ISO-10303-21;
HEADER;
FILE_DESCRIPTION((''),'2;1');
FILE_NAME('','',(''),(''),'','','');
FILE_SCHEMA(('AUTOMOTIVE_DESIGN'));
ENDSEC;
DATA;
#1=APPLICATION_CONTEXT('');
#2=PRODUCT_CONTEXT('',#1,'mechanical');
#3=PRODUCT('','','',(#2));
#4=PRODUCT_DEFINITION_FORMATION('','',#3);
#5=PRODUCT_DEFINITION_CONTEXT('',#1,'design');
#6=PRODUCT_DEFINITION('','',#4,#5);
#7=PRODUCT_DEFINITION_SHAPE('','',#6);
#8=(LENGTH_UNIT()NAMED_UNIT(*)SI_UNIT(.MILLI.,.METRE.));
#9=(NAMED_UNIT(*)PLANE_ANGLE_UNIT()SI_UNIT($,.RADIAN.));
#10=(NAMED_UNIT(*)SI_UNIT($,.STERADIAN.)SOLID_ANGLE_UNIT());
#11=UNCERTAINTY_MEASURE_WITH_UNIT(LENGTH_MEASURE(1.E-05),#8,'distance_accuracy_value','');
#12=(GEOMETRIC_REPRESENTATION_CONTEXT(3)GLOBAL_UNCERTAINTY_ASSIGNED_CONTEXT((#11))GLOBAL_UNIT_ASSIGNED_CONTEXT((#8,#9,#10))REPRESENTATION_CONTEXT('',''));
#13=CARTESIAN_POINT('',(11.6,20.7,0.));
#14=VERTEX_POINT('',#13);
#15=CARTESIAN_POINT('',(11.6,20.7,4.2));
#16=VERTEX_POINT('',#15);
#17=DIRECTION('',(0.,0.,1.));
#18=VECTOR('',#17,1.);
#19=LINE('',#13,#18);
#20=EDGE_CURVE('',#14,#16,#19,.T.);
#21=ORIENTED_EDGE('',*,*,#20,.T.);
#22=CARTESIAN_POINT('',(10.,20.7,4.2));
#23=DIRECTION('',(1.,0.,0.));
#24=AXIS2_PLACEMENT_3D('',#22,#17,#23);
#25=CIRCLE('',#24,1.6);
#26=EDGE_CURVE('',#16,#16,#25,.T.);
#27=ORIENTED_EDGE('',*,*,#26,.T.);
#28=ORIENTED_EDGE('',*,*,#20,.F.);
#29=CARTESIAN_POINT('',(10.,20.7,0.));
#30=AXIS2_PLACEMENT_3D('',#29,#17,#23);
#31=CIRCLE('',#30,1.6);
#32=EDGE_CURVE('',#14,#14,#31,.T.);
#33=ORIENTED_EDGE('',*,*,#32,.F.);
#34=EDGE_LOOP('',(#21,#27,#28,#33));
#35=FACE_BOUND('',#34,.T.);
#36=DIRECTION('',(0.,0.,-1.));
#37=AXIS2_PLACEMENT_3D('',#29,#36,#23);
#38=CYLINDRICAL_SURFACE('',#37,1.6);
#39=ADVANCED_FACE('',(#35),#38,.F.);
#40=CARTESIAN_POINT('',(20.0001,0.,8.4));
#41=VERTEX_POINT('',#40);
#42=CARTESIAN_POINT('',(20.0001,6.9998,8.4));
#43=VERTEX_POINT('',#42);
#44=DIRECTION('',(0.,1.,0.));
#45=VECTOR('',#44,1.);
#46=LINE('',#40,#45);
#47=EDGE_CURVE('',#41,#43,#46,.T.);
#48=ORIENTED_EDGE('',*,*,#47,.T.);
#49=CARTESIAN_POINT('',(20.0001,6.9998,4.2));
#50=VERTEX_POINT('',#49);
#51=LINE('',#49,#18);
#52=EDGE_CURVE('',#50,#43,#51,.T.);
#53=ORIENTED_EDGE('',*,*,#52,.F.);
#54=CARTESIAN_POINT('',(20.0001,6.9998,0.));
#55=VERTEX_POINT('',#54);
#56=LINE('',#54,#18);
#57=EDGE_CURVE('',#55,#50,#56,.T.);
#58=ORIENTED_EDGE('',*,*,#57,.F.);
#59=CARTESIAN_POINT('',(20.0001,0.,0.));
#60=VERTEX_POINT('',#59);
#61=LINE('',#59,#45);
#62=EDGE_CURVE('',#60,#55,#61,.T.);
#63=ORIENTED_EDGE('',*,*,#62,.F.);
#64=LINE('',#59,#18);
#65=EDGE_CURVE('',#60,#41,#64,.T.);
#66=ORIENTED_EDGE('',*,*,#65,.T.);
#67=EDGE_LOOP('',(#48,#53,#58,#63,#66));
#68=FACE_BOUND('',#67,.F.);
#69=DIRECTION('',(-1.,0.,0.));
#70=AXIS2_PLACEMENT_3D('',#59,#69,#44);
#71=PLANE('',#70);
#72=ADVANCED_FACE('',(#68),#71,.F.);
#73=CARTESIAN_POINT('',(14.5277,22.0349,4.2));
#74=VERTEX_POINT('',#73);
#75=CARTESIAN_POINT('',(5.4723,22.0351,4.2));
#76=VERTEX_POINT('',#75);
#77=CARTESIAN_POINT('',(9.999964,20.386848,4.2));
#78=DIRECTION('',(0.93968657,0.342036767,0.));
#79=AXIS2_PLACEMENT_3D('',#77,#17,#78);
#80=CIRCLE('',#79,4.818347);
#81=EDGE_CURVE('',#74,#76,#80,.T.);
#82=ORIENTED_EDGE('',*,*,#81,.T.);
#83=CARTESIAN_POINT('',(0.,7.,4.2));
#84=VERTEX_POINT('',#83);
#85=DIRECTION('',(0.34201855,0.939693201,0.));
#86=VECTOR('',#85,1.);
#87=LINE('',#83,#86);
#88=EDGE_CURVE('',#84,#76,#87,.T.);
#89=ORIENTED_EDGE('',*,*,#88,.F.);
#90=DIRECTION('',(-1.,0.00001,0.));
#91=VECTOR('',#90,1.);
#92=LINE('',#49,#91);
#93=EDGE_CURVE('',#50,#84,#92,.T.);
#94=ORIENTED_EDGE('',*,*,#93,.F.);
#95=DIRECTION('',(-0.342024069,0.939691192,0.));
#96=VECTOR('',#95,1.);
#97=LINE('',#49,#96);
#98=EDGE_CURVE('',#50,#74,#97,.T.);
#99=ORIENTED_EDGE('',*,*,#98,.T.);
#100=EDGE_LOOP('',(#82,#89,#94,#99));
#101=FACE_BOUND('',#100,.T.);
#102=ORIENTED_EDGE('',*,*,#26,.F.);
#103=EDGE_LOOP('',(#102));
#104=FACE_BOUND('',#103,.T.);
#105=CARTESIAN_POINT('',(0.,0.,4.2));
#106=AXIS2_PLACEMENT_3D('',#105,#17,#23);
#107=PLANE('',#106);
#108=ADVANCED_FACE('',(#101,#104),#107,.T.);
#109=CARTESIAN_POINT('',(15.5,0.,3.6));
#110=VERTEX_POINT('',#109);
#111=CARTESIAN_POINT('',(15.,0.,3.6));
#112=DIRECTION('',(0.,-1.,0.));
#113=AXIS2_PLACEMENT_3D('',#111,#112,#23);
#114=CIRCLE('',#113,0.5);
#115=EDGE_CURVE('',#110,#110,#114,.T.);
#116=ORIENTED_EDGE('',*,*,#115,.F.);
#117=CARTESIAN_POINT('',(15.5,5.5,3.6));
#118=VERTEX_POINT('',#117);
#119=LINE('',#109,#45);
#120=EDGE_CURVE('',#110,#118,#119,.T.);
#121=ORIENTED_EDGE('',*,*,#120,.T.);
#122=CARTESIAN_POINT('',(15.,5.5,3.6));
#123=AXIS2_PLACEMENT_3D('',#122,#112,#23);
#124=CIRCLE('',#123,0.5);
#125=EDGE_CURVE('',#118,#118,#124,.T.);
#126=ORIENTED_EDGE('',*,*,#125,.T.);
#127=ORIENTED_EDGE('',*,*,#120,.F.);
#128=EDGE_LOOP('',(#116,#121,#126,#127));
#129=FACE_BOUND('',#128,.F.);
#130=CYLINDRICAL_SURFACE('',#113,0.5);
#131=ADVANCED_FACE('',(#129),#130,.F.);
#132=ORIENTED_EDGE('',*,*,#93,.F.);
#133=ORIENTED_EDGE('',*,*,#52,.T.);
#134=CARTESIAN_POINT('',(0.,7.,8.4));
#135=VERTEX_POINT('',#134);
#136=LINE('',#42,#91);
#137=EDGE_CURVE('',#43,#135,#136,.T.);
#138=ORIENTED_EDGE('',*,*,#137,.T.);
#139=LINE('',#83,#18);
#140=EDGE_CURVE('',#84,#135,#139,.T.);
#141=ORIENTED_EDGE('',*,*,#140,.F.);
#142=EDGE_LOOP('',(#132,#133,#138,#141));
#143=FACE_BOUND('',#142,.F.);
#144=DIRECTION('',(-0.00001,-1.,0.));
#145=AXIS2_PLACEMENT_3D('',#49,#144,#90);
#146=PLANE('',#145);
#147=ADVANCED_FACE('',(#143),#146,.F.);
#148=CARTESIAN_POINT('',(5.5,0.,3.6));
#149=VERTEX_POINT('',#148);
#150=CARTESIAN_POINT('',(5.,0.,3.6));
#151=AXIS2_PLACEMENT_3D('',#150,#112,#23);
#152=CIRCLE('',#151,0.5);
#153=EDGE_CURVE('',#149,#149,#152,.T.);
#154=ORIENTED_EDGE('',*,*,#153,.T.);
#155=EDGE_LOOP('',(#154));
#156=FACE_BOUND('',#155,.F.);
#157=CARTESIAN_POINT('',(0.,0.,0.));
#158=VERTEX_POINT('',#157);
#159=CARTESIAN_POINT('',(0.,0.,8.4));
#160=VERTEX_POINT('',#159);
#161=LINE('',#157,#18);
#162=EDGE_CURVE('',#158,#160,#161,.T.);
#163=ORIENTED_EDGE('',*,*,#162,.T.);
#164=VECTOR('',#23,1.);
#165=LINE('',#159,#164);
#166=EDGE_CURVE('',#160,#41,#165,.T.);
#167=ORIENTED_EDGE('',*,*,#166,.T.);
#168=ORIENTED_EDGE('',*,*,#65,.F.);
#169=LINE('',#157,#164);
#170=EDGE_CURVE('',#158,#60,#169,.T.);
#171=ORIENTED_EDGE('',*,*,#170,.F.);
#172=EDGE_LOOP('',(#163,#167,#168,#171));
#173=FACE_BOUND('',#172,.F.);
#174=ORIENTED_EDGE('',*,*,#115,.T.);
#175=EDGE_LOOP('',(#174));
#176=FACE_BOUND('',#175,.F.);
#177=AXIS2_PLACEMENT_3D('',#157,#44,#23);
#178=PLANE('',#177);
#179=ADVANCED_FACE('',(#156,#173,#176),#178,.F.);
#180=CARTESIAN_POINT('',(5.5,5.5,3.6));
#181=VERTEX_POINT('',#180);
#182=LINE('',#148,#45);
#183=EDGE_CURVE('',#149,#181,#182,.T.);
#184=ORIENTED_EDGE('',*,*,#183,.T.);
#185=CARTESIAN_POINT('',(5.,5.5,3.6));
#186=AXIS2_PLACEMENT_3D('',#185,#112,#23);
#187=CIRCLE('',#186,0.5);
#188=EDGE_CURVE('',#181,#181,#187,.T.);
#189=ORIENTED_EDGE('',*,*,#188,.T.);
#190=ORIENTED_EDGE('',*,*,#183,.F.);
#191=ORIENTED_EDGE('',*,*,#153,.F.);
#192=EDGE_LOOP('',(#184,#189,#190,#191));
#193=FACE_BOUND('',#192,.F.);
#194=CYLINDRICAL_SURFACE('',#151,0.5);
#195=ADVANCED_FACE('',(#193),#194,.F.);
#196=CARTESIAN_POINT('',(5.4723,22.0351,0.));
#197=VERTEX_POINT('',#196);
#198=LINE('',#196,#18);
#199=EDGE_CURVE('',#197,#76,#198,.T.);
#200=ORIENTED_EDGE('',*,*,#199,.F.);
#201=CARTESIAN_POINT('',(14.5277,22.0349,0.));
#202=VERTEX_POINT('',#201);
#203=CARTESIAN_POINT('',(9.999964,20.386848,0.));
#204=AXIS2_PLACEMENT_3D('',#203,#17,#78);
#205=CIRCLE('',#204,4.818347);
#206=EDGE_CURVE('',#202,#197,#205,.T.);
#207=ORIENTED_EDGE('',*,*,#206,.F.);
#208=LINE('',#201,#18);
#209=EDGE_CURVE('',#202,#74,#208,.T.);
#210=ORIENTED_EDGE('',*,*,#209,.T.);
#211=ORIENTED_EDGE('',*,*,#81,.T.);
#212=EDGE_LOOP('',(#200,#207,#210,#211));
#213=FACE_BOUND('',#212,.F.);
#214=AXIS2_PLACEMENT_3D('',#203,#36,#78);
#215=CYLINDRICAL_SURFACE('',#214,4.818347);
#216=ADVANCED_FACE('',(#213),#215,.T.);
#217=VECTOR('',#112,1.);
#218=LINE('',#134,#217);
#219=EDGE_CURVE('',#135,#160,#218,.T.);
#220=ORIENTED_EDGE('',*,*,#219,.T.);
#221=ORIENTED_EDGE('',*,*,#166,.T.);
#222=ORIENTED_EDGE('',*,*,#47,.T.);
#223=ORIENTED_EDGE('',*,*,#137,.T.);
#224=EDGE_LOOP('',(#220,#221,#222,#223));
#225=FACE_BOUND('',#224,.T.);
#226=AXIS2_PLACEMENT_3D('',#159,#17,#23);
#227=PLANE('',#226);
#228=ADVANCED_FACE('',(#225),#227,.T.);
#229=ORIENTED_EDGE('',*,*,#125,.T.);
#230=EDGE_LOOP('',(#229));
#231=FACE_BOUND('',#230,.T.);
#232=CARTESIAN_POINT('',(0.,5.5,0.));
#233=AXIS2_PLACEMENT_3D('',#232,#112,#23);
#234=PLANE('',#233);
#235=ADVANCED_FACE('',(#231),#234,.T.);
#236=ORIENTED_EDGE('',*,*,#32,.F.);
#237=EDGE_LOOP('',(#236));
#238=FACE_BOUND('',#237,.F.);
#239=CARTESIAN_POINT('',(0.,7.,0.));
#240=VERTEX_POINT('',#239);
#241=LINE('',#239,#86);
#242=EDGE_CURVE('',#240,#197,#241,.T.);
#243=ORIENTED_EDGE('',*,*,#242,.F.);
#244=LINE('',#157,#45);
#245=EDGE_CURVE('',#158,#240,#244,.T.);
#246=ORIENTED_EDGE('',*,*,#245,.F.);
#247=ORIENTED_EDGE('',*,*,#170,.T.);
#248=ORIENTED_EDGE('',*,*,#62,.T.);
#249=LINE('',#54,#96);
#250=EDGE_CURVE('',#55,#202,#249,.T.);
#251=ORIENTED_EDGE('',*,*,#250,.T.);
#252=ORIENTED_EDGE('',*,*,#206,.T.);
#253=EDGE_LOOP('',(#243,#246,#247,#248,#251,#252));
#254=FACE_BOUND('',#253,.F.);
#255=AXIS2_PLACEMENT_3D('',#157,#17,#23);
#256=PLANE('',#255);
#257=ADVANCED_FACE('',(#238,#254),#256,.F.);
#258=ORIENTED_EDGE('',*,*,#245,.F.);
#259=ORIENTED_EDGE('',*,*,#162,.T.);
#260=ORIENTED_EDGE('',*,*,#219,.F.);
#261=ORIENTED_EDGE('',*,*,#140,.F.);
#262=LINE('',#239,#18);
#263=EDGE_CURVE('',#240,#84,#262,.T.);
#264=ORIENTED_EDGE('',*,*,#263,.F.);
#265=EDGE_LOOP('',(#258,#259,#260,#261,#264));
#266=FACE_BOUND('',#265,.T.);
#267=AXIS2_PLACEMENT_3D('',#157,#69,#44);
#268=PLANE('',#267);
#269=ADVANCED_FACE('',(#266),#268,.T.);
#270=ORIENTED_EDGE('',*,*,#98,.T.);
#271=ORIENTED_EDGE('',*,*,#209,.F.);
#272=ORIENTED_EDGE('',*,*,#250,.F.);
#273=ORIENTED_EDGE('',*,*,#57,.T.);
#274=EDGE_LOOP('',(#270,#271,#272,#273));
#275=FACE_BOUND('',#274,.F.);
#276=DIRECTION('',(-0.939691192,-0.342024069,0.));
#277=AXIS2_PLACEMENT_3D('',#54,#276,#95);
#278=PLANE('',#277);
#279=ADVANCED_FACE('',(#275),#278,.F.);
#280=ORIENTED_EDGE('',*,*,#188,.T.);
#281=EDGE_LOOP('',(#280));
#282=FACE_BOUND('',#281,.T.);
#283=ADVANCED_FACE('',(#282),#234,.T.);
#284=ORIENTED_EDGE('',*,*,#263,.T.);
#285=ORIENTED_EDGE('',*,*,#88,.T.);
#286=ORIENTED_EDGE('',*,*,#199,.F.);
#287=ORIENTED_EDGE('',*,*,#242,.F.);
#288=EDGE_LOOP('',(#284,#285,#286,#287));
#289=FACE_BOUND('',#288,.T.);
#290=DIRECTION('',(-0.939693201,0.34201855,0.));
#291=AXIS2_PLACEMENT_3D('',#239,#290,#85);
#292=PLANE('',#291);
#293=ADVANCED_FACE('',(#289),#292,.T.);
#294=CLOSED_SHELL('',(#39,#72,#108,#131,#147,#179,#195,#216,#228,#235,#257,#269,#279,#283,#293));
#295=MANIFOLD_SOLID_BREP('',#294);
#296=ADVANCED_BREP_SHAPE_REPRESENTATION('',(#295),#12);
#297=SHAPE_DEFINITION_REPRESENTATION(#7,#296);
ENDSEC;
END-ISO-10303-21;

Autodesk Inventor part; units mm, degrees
ref_plane "YZ Plane" through (0, 0, 0) normal (1, 0, 0) x (0, 1, 0)
ref_plane "XZ Plane" through (0, 0, 0) normal (0, 1, 0) x (-1, 0, 0)
ref_plane "XY Plane" through (0, 0, 0) normal (0, 0, 1) x (1, 0, 0)
sketch "Sketch1" plane through (0, 0, 0) normal (0, 0, 1) x (1, 0, 0)
  circle A0 centre (10, 20.7) radius 1.6
  line L0 (0, 0) -> (20.0001, 0)
  line L1 (0, 0) -> (0, 7)
  line L2 (20.0001, 0) -> (20.0001, 6.9998)
  line L3 (0, 7) -> (5.4723, 22.0351)
  line L4 (0, 7) -> (16, 7) construction
  line L5 (20.0001, 6.9998) -> (14.5277, 22.0349)
  line L6 (20.0001, 6.9998) -> (36.0001, 6.9998) construction
  arc A1 (14.5277, 22.0349) -> (5.4723, 22.0351) centre (10, 20.3869) ccw
  dimension "d17" = 7
  dimension "d18" = 6.9998
  dimension "d19" = 20.7
  dimension "d23" = 90
  dimension "d24" = 90
  dimension "d25" = 10
  dimension "d26" = 16
  dimension "d27" = 70
  dimension "d28" = 16
  dimension "d29" = 110
  dimension "d30" = 10
sketch "Sketch3" plane through (0, 0, 0) normal (0, 0, 1) x (1, 0, 0)
  point P0 (0, 0)
extrude "Extrusion1" add sketch "Sketch1" along normal blind 4.2
sketch "Sketch4" plane through (0, 0, 4.2) normal (0, 0, 1) x (1, 0, 0)
  line L0 (0, 7) -> (0, 0) projected
  line L1 (20.0001, 0) -> (20.0001, 6.9998) projected
  line L2 (0, 0) -> (20.0001, 0)
  line L3 (20.0001, 0) -> (20.0001, 6.9998)
  line L4 (3.884, 22.9404) -> (-0.0481, 7.0119) projected
  line L5 (20.0001, 6.9998) -> (0, 6.9998)
  line L6 (0, 7) -> (0, 0)
extrude "Extrusion2" add sketch "Sketch4" along normal blind 4.2
sketch "Sketch5" plane through (0, 0, 0) normal (0, -1, 0) x (1, 0, 0)
  circle A0 centre (5, 3.6) radius 0.5
  circle A1 centre (15, 3.6) radius 0.5
  line L0 (0, 0) -> (20.0001, 0) projected
  line L1 (0, 8.4) -> (20.0001, 8.4) projected
  dimension "d13" = 1
  dimension "d14" = 1
  dimension "d33" = 4.8
  dimension "d34" = 4.8
extrude "Extrusion3" cut sketch "Sketch5" against normal blind 5.5
properties part number "upper_deck_shaft_mount_v3"
